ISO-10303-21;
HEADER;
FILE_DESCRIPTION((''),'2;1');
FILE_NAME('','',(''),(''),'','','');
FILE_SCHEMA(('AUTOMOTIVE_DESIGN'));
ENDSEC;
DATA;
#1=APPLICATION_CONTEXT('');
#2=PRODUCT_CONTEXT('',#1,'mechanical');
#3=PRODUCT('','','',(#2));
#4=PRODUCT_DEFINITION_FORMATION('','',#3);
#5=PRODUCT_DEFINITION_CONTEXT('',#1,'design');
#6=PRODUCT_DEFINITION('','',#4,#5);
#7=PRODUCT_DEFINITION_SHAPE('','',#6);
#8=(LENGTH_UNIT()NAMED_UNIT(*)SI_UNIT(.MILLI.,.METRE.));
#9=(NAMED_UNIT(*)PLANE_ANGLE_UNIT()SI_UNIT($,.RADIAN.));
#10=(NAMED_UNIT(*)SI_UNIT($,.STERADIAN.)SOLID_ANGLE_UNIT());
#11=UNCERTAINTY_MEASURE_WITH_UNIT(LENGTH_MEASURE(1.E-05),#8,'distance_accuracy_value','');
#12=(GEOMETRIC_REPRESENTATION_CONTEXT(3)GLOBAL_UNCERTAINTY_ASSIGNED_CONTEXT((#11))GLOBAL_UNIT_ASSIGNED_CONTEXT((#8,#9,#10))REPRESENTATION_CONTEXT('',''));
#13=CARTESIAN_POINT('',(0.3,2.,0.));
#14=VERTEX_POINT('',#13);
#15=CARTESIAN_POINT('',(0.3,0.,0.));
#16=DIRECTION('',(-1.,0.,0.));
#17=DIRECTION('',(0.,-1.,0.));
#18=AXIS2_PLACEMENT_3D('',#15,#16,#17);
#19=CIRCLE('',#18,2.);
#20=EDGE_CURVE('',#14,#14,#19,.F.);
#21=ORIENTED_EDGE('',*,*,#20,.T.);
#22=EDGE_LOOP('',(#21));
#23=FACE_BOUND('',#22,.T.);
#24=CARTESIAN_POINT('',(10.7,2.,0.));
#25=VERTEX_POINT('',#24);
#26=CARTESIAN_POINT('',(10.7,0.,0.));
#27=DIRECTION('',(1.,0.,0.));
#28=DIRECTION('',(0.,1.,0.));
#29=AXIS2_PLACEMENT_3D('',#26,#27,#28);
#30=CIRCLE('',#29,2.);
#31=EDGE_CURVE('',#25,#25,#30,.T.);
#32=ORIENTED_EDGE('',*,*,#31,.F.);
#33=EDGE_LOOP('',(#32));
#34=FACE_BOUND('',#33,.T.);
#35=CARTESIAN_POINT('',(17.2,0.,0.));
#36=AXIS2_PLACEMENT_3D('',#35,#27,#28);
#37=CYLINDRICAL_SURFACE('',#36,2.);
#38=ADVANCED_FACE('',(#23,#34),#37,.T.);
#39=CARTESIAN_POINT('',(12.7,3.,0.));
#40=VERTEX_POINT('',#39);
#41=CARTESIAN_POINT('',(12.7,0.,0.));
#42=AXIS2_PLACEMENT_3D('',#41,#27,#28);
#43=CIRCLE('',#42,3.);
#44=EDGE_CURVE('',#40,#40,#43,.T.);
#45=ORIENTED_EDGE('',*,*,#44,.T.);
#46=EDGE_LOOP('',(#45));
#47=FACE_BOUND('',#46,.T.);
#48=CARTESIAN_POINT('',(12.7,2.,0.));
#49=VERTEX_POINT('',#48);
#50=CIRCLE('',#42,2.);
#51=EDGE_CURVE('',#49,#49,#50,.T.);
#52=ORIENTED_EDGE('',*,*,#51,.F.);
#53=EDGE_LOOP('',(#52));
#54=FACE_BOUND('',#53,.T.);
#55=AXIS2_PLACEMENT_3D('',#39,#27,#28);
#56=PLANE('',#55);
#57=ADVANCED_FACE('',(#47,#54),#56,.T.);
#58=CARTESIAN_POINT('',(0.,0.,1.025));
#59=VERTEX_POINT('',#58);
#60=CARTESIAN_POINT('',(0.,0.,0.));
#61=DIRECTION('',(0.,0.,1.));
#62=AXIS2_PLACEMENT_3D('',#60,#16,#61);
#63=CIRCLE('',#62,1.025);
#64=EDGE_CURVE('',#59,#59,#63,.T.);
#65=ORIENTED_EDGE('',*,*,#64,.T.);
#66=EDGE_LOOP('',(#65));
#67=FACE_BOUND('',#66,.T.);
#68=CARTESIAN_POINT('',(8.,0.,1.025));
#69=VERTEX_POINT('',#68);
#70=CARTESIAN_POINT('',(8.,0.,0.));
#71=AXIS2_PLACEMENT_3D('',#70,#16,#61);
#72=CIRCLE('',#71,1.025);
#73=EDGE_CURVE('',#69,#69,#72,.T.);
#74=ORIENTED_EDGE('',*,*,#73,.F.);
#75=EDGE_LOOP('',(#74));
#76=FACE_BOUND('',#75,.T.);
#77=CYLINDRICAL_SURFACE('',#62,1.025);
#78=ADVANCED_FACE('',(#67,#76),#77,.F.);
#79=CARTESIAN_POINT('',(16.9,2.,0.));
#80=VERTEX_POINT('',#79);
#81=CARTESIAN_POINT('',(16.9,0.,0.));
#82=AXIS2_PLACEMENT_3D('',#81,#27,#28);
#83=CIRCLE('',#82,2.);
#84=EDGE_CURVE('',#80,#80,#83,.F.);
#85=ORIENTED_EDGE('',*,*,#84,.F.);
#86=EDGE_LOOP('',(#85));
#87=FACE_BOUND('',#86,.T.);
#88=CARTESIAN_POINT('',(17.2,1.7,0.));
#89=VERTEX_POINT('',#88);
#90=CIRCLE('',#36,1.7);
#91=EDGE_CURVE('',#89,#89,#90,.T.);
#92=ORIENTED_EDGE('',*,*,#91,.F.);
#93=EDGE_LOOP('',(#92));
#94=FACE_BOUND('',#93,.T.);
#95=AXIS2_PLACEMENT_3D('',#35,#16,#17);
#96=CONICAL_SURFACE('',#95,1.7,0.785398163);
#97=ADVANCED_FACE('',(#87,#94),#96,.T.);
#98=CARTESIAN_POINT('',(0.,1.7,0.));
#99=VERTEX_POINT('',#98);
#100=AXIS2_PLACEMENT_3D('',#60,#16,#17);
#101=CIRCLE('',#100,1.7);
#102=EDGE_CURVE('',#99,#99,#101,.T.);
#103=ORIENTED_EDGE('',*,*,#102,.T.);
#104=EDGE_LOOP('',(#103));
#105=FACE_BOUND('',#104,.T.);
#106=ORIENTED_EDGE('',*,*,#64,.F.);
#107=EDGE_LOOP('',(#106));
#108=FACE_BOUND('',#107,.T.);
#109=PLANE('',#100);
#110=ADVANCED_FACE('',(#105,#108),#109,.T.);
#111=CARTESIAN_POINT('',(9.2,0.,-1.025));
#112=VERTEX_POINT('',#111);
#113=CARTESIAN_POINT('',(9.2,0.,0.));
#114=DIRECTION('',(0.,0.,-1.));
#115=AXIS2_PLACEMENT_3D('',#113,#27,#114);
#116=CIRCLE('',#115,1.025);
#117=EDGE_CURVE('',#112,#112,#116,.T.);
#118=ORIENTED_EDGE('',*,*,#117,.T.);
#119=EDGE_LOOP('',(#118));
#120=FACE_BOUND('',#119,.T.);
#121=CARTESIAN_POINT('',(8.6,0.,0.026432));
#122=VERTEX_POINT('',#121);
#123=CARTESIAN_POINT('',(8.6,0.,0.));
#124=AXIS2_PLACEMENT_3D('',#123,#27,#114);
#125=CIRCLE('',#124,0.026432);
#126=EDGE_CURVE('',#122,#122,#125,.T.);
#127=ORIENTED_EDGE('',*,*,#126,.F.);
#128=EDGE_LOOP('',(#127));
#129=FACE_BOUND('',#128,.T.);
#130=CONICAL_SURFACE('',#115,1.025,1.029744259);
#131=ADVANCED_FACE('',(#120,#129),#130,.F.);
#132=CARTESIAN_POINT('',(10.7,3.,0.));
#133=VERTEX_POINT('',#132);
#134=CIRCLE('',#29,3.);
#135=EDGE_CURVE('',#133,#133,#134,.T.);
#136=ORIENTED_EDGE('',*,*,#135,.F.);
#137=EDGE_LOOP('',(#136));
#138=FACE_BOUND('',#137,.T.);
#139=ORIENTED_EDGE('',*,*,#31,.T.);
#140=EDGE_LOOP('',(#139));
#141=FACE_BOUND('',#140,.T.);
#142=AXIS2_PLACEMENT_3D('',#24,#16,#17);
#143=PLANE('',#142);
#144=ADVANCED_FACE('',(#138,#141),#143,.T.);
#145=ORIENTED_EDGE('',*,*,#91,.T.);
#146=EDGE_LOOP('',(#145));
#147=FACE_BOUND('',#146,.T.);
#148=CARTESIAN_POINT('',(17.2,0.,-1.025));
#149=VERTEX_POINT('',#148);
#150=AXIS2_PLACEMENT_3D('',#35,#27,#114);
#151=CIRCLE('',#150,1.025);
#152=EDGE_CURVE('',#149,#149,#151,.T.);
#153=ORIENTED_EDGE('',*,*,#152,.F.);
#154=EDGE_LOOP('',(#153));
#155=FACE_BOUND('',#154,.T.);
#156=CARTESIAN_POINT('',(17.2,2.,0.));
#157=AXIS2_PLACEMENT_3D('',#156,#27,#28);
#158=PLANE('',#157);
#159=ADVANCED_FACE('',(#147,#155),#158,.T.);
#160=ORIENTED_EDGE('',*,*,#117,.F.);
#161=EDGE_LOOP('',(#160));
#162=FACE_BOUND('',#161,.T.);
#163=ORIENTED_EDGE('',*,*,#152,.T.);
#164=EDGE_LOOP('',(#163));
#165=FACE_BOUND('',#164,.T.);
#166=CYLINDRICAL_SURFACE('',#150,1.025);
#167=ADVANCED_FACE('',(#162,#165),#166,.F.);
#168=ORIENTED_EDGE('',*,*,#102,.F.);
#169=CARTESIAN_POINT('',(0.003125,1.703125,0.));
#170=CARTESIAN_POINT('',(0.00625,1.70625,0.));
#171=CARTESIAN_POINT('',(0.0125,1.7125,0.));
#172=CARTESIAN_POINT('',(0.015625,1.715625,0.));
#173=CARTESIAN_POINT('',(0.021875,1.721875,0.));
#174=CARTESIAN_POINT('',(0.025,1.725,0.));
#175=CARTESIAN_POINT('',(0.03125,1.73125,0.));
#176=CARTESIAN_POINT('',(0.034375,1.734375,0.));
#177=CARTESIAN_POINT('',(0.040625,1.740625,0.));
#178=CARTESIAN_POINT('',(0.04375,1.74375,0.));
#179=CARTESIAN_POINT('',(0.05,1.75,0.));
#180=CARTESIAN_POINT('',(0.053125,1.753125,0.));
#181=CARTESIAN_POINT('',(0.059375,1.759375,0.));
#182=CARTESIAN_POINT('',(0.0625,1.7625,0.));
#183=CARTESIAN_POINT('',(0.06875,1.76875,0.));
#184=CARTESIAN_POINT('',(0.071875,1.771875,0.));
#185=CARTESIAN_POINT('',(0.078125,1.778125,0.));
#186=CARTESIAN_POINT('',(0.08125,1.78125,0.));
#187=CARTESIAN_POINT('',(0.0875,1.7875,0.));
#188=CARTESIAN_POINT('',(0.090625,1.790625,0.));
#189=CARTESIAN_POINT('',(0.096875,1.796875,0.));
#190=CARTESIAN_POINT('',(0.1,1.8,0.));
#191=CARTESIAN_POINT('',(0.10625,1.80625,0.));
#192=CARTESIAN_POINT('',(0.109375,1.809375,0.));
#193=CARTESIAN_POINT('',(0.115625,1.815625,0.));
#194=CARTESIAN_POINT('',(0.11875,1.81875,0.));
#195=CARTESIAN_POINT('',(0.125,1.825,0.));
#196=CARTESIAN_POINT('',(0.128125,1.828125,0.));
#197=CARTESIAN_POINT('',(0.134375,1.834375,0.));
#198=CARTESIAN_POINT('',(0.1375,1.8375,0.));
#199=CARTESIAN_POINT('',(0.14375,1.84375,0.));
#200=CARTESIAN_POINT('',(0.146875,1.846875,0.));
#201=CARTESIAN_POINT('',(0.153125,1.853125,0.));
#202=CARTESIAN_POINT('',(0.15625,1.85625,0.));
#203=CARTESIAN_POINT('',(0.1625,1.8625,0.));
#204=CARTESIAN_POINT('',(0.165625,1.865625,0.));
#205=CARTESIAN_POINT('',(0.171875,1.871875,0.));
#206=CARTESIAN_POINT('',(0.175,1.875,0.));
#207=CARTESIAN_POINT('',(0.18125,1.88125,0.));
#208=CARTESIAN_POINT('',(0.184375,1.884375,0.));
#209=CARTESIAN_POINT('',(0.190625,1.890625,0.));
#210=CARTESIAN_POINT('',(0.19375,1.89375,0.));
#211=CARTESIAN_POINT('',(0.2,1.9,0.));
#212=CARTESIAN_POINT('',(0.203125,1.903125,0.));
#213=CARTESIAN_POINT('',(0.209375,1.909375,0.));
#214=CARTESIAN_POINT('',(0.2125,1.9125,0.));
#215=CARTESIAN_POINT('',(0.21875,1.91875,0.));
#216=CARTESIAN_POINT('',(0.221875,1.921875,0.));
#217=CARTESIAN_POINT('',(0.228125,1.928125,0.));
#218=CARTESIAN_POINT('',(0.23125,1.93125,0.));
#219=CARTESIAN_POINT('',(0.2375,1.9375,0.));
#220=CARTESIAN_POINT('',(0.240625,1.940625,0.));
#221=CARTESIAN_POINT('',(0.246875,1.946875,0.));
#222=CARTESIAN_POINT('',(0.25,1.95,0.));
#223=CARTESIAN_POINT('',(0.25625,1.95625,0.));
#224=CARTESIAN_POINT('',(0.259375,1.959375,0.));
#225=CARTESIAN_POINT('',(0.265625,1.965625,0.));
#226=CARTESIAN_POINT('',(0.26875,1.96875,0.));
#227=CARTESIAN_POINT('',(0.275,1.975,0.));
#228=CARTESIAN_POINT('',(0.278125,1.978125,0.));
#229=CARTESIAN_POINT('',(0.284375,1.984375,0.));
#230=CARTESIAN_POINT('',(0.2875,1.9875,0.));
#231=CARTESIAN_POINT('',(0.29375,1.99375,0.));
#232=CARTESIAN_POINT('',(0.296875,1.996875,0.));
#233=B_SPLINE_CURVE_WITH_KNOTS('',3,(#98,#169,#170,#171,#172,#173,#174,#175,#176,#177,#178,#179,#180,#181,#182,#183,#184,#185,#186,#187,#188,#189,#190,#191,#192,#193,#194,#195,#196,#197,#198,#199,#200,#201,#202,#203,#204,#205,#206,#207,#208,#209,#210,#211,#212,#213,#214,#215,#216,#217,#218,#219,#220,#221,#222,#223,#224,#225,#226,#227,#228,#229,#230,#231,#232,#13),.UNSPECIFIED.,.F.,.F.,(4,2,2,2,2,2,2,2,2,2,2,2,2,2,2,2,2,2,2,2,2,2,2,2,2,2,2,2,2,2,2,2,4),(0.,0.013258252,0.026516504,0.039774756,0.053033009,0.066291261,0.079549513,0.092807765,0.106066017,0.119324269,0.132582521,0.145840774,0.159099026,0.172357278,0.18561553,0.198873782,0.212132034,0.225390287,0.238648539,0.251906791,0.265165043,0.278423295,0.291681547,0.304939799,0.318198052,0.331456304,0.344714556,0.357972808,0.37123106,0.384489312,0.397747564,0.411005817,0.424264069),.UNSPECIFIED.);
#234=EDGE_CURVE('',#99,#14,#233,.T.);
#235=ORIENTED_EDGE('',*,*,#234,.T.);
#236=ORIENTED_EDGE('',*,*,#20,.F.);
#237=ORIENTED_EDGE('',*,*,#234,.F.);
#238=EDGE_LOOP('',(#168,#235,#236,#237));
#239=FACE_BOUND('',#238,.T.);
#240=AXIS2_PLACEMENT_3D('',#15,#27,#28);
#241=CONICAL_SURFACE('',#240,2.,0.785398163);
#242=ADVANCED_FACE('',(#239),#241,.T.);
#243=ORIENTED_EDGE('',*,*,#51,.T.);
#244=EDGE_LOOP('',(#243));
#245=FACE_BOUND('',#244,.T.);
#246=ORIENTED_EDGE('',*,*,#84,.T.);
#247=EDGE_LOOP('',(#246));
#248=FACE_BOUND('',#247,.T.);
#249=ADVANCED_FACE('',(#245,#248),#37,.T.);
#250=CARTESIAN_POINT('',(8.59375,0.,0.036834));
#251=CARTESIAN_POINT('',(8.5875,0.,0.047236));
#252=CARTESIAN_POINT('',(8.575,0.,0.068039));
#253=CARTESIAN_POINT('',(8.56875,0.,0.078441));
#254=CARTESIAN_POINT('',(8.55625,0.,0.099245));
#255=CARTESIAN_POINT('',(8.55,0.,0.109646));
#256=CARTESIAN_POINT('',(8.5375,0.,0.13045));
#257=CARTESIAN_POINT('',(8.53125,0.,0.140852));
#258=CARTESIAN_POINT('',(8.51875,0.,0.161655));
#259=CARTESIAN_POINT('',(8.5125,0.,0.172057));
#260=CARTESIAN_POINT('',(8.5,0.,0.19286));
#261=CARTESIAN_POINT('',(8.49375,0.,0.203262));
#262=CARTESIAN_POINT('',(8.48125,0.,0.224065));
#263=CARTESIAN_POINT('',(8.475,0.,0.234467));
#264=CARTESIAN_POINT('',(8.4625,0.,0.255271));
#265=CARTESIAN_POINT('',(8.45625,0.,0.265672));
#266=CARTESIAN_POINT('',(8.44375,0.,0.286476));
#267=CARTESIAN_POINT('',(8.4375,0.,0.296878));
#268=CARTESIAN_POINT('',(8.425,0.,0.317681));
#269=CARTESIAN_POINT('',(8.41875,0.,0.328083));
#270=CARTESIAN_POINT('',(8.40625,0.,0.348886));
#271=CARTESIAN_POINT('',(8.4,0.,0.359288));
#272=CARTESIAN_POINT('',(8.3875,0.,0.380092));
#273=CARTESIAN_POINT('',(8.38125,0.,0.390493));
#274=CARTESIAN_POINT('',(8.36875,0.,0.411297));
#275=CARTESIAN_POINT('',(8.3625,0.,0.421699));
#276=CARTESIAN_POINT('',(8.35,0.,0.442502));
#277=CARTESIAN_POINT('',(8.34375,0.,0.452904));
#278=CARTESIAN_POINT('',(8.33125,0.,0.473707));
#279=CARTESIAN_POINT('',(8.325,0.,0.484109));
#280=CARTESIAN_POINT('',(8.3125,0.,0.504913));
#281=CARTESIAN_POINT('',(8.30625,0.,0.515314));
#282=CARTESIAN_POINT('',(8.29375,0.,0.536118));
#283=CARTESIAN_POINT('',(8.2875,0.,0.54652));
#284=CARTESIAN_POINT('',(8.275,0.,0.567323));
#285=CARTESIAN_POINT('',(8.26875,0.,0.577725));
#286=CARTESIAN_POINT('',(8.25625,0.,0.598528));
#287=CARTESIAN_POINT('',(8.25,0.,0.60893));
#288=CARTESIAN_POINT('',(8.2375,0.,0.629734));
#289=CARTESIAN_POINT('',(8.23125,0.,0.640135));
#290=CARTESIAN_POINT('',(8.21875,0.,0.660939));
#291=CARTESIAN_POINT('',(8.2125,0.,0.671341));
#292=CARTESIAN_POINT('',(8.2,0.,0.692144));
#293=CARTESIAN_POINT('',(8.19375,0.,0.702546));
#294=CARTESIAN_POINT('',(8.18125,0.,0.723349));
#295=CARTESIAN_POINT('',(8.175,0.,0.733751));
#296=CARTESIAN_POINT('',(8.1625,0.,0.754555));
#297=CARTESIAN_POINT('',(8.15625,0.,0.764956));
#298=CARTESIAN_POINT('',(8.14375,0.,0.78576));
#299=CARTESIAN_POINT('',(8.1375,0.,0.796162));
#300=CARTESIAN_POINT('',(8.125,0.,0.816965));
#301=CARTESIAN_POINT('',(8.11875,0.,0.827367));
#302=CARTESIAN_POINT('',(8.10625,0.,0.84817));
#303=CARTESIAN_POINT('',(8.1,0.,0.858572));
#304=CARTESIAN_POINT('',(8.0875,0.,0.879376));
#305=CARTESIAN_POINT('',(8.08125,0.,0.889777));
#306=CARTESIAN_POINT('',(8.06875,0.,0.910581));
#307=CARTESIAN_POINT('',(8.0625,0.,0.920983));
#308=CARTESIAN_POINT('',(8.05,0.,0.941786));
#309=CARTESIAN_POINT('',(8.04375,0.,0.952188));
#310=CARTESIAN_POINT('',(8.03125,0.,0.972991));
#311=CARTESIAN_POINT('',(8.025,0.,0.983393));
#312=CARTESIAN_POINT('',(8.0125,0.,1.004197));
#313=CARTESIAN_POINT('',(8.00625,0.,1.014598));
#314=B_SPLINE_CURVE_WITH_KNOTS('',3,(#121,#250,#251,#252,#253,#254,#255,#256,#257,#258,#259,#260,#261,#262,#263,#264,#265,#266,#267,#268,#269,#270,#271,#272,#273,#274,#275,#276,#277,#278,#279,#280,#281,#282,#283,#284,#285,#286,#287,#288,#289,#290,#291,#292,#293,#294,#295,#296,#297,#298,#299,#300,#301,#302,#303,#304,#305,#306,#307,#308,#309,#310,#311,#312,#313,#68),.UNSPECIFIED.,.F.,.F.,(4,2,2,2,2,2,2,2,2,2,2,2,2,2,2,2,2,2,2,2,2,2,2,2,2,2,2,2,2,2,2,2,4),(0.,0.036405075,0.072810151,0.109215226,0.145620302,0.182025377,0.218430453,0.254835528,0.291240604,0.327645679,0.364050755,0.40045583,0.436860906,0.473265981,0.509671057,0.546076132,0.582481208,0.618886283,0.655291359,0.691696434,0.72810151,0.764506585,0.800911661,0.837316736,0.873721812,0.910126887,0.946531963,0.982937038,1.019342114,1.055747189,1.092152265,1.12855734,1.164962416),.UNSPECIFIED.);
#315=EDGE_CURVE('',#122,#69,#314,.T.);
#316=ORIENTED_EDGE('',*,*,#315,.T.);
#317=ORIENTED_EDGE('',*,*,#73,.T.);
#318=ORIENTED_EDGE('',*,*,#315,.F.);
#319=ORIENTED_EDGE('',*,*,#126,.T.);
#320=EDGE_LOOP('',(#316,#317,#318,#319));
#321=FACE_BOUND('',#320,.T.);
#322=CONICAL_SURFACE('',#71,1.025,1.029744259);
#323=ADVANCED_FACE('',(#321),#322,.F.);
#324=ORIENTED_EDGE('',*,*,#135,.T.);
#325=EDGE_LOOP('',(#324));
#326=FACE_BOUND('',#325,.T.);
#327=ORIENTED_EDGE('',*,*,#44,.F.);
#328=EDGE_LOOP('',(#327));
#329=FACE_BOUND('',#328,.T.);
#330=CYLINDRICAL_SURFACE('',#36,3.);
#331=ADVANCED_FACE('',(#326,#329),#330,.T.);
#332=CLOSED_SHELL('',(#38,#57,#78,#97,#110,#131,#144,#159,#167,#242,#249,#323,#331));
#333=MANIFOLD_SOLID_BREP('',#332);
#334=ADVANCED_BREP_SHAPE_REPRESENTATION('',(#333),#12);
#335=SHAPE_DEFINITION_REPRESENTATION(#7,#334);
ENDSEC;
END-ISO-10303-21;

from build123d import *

# Parameters (mm, degrees)
TROU_TARAUD_M2_51_D     = 2.05
TROU_TARAUD_M2_51_DEPTH = 8
TROU_TARAUD_M2_51_TIP   = 0.615882135
TROU_TARAUD_M2_52_D     = 2.05
TROU_TARAUD_M2_52_DEPTH = 8
TROU_TARAUD_M2_52_TIP   = 0.615882135
CHANFREIN1_SIZE         = 0.3


with BuildPart() as part:
    # Esquisse1 → Révolution1 (revolve)
    with BuildSketch(Plane.XY):
        Polygon((0, 0), (0, 2), (10.7, 2), (10.7, 3), (12.7, 3), (12.7, 2), (17.2, 2), (17.2, 0), align=None)
    revolve(axis=Axis((17.2, 0, 0), (-1, 0, 0)))

    # Trou taraudé M2.51
    with Locations(Plane.ZY):
        with Locations((0, 0)):
            Hole(TROU_TARAUD_M2_51_D / 2, depth=TROU_TARAUD_M2_51_DEPTH)
            with Locations((0, 0, -(TROU_TARAUD_M2_51_DEPTH + TROU_TARAUD_M2_51_TIP / 2))):  # 118° drill point
                Cone(0, TROU_TARAUD_M2_51_D / 2, TROU_TARAUD_M2_51_TIP, mode=Mode.SUBTRACT)

    # Trou taraudé M2.52
    with Locations(Plane(origin=(17.2, 0, 0), x_dir=(0, 0, -1), z_dir=(1, 0, 0))):
        with Locations((0, 0)):
            Hole(TROU_TARAUD_M2_52_D / 2, depth=TROU_TARAUD_M2_52_DEPTH)
            with Locations((0, 0, -(TROU_TARAUD_M2_52_DEPTH + TROU_TARAUD_M2_52_TIP / 2))):  # 118° drill point
                Cone(0, TROU_TARAUD_M2_52_D / 2, TROU_TARAUD_M2_52_TIP, mode=Mode.SUBTRACT)

    # Chanfrein1
    chanfrein1_edges = [part.edges().sort_by_distance(p)[0] for p in [
        (17.2, -2, 0),
        (0, -2, 0),
    ]]
    chamfer(chanfrein1_edges, length=CHANFREIN1_SIZE)


solid = part.part
